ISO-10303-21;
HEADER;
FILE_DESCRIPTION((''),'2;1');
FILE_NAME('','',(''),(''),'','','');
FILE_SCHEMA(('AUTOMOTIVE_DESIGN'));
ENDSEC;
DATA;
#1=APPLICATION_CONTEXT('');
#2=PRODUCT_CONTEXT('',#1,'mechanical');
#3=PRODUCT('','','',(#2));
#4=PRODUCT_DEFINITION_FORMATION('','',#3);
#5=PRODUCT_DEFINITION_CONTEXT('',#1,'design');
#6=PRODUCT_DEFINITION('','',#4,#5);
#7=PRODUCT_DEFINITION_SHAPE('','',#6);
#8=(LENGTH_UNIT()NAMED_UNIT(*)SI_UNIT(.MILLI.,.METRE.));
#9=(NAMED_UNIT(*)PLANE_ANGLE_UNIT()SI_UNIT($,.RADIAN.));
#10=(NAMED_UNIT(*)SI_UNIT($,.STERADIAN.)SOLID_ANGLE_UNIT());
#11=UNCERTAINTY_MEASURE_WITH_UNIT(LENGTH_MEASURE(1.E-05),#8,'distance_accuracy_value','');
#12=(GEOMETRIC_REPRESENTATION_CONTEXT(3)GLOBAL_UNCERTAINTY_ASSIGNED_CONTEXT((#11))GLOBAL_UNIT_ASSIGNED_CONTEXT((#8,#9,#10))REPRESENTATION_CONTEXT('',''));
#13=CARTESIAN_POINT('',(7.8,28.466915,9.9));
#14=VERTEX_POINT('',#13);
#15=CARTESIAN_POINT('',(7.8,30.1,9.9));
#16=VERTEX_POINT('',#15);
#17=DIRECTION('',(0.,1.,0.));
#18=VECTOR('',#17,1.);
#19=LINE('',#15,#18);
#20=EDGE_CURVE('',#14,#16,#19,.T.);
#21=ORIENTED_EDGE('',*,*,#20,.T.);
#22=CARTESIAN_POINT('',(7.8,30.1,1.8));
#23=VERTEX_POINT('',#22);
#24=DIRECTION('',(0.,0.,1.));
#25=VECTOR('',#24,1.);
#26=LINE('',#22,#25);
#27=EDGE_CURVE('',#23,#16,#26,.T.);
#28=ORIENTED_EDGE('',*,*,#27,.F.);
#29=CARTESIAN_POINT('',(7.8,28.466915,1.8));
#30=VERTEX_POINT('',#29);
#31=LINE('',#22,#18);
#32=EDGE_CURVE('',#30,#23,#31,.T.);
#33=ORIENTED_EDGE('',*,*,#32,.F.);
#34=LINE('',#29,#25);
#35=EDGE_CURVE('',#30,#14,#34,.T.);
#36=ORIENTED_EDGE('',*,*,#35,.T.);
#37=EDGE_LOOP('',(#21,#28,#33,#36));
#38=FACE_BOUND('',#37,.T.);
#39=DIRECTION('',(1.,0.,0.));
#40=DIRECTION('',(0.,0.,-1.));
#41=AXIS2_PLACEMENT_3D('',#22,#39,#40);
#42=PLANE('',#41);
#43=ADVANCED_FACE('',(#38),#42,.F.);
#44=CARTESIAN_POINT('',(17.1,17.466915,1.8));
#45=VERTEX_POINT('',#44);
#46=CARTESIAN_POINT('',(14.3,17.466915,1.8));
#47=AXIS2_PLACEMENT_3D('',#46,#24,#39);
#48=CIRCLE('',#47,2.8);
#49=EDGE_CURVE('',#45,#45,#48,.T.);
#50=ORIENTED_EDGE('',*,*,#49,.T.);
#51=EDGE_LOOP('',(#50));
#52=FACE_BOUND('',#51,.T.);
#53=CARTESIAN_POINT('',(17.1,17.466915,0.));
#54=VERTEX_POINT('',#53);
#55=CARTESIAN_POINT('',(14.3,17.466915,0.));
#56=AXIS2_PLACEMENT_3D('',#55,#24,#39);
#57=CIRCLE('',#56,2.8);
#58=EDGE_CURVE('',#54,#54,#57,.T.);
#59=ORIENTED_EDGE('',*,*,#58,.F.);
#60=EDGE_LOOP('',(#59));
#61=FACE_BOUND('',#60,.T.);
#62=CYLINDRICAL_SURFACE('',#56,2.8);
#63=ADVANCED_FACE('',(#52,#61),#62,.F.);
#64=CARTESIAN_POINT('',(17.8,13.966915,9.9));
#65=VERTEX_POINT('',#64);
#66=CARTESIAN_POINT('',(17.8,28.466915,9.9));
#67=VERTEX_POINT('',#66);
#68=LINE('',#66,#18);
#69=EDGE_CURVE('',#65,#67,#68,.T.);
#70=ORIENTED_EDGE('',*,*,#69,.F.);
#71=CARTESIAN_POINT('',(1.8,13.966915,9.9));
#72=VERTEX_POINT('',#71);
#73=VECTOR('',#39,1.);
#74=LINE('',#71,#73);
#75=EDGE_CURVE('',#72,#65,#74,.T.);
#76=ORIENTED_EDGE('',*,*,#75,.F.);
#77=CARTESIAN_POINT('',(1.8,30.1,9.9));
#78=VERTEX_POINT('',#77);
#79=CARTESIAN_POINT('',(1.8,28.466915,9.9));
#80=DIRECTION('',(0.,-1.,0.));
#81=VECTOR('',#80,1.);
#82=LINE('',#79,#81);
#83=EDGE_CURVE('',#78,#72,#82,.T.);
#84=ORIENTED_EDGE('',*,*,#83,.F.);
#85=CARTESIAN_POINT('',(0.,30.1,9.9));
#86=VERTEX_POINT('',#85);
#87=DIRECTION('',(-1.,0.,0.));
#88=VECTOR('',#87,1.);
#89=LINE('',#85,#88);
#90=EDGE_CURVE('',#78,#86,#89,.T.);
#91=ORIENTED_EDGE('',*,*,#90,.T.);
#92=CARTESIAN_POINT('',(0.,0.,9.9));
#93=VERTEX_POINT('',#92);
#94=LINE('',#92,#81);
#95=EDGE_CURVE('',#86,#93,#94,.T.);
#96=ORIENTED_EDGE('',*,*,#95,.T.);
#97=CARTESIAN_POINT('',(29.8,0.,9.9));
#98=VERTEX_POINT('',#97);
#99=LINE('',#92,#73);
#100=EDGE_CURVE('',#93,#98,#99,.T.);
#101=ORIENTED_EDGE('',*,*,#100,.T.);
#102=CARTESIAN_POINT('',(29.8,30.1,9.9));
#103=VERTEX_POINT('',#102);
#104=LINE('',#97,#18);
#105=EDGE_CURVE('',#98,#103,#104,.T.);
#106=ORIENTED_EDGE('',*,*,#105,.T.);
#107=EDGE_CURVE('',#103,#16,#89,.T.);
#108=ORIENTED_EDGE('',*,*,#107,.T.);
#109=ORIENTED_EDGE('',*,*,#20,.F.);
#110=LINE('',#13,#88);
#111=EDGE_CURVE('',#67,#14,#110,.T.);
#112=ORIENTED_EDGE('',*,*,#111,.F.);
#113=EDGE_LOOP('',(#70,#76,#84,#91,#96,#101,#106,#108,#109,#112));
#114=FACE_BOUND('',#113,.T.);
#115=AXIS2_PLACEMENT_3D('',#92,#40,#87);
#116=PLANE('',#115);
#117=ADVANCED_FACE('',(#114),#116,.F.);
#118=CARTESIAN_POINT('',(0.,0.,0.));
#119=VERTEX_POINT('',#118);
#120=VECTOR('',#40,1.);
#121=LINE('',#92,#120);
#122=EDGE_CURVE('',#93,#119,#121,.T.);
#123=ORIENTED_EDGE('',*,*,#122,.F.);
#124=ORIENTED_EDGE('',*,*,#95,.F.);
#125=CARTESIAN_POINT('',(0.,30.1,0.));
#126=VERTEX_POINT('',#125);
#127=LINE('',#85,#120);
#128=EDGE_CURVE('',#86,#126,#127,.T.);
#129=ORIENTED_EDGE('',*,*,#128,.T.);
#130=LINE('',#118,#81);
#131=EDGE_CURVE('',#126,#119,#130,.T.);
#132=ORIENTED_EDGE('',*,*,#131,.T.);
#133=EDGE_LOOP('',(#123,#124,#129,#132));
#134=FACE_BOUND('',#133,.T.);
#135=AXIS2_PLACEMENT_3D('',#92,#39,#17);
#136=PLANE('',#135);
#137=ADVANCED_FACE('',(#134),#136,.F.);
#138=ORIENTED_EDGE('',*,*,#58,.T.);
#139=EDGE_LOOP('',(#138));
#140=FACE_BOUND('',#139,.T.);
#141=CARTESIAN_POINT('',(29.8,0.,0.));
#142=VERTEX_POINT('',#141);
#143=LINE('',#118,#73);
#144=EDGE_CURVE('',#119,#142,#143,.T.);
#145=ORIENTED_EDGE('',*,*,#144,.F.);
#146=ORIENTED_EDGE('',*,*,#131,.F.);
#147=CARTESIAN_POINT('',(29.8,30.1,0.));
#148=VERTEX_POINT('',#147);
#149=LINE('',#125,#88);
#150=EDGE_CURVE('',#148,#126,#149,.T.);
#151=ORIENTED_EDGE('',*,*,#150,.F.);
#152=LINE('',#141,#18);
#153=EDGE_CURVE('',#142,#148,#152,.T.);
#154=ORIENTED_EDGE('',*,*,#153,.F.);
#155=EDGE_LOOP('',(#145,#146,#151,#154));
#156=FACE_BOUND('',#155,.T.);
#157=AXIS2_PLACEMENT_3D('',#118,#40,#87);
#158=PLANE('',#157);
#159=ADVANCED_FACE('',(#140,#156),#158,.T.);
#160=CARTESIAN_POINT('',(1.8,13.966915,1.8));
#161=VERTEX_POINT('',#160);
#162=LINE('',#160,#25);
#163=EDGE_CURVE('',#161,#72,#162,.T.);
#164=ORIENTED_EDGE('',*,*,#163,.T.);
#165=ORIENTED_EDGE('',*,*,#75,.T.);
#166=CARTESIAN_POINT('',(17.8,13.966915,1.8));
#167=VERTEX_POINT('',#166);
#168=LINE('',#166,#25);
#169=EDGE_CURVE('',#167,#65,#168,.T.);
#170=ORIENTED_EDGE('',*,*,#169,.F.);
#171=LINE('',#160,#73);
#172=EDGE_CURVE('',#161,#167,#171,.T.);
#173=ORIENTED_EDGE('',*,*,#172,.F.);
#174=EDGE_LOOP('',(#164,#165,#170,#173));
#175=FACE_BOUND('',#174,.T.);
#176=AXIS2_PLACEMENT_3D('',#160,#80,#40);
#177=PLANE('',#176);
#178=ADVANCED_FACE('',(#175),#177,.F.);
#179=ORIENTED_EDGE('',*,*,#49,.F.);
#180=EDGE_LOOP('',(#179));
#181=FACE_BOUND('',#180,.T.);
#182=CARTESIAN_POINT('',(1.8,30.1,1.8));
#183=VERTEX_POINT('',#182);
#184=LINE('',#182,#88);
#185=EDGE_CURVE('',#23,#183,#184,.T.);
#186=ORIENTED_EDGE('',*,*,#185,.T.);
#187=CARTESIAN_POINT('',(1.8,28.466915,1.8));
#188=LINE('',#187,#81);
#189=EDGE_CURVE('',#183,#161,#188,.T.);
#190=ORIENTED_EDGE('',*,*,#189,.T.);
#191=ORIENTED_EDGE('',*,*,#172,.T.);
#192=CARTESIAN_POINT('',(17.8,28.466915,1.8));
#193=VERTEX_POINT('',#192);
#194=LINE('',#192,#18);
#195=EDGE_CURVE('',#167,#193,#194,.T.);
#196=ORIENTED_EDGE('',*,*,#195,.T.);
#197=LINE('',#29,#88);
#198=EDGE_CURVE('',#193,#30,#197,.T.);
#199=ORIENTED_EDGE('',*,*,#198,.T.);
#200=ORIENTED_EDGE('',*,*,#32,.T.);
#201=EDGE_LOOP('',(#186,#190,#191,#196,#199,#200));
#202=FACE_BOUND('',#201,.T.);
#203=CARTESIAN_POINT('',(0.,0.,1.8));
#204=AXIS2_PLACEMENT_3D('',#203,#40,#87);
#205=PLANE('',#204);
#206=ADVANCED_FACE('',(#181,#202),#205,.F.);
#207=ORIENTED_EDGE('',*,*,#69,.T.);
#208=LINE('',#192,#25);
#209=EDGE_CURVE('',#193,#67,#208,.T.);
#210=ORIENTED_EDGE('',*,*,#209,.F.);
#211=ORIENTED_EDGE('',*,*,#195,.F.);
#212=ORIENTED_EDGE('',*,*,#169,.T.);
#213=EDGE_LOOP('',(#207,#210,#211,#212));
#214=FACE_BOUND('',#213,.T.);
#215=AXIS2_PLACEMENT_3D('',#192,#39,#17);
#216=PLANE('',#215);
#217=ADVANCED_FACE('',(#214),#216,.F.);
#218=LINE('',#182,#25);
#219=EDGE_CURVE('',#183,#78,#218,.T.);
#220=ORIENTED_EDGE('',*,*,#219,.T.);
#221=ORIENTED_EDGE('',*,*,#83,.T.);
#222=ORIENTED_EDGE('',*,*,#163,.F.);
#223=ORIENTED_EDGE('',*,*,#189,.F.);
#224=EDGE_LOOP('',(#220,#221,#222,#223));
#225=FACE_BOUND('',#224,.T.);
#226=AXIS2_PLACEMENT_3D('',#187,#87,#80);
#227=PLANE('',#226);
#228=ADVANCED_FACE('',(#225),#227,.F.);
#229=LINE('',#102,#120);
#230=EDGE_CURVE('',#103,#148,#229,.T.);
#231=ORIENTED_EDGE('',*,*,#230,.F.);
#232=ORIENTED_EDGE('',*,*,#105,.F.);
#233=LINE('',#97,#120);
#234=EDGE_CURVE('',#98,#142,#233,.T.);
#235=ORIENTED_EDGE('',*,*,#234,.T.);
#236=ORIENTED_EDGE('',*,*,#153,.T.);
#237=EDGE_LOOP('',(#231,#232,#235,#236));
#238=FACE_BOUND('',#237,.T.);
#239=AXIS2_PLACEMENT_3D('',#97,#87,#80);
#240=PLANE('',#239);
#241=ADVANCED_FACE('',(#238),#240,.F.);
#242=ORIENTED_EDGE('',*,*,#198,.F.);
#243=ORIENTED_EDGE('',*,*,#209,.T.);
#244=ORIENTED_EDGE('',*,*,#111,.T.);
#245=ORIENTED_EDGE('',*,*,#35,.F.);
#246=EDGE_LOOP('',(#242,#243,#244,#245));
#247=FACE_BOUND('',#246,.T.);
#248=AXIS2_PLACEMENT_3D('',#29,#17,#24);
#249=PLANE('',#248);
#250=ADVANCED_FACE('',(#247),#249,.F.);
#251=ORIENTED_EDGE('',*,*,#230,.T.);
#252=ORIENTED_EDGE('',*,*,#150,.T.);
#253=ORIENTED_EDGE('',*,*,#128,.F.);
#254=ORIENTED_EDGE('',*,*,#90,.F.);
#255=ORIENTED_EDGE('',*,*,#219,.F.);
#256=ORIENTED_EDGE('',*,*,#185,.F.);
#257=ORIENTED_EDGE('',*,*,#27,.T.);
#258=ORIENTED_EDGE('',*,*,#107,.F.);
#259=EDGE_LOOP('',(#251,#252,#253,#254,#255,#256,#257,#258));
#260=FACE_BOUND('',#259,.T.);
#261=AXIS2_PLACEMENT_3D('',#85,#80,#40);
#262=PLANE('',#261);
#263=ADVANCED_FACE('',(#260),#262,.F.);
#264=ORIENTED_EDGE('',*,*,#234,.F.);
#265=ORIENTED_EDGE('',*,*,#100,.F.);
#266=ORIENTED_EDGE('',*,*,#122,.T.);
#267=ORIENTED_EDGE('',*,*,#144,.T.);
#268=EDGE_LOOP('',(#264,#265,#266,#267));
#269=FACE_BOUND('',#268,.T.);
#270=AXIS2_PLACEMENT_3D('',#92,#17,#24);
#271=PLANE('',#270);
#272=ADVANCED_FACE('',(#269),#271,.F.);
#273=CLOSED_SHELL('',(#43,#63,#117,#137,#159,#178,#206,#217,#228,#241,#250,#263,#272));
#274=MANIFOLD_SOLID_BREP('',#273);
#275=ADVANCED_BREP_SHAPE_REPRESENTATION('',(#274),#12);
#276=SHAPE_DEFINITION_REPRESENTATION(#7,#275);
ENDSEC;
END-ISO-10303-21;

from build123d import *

# Parameters (mm, degrees)
SKETCH1_W           = 29.8
SKETCH1_H           = 30.1
BOSS_EXTRUDE1_DEPTH = 9.9
CUT_EXTRUDE1_DEPTH  = 8.1
SKETCH3_R           = 2.8
CUT_EXTRUDE2_DEPTH  = 44.123775345


with BuildPart() as part:
    # Sketch1 → Boss-Extrude1 (new body)
    with BuildSketch(Plane.XY):
        with Locations((14.9, 15.05)):
            Rectangle(SKETCH1_W, SKETCH1_H)
    extrude(amount=BOSS_EXTRUDE1_DEPTH)

    # Sketch2 → Cut-Extrude1 (cut)
    with BuildSketch(Plane.XY.offset(9.9)):
        Polygon((7.8, 30.1), (7.8, 28.466915374), (17.8, 28.466915374), (17.8, 13.966915374), (1.8, 13.966915374), (1.8, 28.466915374), (1.8, 30.1), align=None)
    extrude(amount=-CUT_EXTRUDE1_DEPTH, mode=Mode.SUBTRACT)

    # Sketch3 → Cut-Extrude2 (cut, through all)
    with BuildSketch(Plane.XY.offset(1.8)):
        with Locations((14.3, 17.466915374)):
            Circle(SKETCH3_R)
    extrude(amount=-CUT_EXTRUDE2_DEPTH, mode=Mode.SUBTRACT)


solid = part.part
